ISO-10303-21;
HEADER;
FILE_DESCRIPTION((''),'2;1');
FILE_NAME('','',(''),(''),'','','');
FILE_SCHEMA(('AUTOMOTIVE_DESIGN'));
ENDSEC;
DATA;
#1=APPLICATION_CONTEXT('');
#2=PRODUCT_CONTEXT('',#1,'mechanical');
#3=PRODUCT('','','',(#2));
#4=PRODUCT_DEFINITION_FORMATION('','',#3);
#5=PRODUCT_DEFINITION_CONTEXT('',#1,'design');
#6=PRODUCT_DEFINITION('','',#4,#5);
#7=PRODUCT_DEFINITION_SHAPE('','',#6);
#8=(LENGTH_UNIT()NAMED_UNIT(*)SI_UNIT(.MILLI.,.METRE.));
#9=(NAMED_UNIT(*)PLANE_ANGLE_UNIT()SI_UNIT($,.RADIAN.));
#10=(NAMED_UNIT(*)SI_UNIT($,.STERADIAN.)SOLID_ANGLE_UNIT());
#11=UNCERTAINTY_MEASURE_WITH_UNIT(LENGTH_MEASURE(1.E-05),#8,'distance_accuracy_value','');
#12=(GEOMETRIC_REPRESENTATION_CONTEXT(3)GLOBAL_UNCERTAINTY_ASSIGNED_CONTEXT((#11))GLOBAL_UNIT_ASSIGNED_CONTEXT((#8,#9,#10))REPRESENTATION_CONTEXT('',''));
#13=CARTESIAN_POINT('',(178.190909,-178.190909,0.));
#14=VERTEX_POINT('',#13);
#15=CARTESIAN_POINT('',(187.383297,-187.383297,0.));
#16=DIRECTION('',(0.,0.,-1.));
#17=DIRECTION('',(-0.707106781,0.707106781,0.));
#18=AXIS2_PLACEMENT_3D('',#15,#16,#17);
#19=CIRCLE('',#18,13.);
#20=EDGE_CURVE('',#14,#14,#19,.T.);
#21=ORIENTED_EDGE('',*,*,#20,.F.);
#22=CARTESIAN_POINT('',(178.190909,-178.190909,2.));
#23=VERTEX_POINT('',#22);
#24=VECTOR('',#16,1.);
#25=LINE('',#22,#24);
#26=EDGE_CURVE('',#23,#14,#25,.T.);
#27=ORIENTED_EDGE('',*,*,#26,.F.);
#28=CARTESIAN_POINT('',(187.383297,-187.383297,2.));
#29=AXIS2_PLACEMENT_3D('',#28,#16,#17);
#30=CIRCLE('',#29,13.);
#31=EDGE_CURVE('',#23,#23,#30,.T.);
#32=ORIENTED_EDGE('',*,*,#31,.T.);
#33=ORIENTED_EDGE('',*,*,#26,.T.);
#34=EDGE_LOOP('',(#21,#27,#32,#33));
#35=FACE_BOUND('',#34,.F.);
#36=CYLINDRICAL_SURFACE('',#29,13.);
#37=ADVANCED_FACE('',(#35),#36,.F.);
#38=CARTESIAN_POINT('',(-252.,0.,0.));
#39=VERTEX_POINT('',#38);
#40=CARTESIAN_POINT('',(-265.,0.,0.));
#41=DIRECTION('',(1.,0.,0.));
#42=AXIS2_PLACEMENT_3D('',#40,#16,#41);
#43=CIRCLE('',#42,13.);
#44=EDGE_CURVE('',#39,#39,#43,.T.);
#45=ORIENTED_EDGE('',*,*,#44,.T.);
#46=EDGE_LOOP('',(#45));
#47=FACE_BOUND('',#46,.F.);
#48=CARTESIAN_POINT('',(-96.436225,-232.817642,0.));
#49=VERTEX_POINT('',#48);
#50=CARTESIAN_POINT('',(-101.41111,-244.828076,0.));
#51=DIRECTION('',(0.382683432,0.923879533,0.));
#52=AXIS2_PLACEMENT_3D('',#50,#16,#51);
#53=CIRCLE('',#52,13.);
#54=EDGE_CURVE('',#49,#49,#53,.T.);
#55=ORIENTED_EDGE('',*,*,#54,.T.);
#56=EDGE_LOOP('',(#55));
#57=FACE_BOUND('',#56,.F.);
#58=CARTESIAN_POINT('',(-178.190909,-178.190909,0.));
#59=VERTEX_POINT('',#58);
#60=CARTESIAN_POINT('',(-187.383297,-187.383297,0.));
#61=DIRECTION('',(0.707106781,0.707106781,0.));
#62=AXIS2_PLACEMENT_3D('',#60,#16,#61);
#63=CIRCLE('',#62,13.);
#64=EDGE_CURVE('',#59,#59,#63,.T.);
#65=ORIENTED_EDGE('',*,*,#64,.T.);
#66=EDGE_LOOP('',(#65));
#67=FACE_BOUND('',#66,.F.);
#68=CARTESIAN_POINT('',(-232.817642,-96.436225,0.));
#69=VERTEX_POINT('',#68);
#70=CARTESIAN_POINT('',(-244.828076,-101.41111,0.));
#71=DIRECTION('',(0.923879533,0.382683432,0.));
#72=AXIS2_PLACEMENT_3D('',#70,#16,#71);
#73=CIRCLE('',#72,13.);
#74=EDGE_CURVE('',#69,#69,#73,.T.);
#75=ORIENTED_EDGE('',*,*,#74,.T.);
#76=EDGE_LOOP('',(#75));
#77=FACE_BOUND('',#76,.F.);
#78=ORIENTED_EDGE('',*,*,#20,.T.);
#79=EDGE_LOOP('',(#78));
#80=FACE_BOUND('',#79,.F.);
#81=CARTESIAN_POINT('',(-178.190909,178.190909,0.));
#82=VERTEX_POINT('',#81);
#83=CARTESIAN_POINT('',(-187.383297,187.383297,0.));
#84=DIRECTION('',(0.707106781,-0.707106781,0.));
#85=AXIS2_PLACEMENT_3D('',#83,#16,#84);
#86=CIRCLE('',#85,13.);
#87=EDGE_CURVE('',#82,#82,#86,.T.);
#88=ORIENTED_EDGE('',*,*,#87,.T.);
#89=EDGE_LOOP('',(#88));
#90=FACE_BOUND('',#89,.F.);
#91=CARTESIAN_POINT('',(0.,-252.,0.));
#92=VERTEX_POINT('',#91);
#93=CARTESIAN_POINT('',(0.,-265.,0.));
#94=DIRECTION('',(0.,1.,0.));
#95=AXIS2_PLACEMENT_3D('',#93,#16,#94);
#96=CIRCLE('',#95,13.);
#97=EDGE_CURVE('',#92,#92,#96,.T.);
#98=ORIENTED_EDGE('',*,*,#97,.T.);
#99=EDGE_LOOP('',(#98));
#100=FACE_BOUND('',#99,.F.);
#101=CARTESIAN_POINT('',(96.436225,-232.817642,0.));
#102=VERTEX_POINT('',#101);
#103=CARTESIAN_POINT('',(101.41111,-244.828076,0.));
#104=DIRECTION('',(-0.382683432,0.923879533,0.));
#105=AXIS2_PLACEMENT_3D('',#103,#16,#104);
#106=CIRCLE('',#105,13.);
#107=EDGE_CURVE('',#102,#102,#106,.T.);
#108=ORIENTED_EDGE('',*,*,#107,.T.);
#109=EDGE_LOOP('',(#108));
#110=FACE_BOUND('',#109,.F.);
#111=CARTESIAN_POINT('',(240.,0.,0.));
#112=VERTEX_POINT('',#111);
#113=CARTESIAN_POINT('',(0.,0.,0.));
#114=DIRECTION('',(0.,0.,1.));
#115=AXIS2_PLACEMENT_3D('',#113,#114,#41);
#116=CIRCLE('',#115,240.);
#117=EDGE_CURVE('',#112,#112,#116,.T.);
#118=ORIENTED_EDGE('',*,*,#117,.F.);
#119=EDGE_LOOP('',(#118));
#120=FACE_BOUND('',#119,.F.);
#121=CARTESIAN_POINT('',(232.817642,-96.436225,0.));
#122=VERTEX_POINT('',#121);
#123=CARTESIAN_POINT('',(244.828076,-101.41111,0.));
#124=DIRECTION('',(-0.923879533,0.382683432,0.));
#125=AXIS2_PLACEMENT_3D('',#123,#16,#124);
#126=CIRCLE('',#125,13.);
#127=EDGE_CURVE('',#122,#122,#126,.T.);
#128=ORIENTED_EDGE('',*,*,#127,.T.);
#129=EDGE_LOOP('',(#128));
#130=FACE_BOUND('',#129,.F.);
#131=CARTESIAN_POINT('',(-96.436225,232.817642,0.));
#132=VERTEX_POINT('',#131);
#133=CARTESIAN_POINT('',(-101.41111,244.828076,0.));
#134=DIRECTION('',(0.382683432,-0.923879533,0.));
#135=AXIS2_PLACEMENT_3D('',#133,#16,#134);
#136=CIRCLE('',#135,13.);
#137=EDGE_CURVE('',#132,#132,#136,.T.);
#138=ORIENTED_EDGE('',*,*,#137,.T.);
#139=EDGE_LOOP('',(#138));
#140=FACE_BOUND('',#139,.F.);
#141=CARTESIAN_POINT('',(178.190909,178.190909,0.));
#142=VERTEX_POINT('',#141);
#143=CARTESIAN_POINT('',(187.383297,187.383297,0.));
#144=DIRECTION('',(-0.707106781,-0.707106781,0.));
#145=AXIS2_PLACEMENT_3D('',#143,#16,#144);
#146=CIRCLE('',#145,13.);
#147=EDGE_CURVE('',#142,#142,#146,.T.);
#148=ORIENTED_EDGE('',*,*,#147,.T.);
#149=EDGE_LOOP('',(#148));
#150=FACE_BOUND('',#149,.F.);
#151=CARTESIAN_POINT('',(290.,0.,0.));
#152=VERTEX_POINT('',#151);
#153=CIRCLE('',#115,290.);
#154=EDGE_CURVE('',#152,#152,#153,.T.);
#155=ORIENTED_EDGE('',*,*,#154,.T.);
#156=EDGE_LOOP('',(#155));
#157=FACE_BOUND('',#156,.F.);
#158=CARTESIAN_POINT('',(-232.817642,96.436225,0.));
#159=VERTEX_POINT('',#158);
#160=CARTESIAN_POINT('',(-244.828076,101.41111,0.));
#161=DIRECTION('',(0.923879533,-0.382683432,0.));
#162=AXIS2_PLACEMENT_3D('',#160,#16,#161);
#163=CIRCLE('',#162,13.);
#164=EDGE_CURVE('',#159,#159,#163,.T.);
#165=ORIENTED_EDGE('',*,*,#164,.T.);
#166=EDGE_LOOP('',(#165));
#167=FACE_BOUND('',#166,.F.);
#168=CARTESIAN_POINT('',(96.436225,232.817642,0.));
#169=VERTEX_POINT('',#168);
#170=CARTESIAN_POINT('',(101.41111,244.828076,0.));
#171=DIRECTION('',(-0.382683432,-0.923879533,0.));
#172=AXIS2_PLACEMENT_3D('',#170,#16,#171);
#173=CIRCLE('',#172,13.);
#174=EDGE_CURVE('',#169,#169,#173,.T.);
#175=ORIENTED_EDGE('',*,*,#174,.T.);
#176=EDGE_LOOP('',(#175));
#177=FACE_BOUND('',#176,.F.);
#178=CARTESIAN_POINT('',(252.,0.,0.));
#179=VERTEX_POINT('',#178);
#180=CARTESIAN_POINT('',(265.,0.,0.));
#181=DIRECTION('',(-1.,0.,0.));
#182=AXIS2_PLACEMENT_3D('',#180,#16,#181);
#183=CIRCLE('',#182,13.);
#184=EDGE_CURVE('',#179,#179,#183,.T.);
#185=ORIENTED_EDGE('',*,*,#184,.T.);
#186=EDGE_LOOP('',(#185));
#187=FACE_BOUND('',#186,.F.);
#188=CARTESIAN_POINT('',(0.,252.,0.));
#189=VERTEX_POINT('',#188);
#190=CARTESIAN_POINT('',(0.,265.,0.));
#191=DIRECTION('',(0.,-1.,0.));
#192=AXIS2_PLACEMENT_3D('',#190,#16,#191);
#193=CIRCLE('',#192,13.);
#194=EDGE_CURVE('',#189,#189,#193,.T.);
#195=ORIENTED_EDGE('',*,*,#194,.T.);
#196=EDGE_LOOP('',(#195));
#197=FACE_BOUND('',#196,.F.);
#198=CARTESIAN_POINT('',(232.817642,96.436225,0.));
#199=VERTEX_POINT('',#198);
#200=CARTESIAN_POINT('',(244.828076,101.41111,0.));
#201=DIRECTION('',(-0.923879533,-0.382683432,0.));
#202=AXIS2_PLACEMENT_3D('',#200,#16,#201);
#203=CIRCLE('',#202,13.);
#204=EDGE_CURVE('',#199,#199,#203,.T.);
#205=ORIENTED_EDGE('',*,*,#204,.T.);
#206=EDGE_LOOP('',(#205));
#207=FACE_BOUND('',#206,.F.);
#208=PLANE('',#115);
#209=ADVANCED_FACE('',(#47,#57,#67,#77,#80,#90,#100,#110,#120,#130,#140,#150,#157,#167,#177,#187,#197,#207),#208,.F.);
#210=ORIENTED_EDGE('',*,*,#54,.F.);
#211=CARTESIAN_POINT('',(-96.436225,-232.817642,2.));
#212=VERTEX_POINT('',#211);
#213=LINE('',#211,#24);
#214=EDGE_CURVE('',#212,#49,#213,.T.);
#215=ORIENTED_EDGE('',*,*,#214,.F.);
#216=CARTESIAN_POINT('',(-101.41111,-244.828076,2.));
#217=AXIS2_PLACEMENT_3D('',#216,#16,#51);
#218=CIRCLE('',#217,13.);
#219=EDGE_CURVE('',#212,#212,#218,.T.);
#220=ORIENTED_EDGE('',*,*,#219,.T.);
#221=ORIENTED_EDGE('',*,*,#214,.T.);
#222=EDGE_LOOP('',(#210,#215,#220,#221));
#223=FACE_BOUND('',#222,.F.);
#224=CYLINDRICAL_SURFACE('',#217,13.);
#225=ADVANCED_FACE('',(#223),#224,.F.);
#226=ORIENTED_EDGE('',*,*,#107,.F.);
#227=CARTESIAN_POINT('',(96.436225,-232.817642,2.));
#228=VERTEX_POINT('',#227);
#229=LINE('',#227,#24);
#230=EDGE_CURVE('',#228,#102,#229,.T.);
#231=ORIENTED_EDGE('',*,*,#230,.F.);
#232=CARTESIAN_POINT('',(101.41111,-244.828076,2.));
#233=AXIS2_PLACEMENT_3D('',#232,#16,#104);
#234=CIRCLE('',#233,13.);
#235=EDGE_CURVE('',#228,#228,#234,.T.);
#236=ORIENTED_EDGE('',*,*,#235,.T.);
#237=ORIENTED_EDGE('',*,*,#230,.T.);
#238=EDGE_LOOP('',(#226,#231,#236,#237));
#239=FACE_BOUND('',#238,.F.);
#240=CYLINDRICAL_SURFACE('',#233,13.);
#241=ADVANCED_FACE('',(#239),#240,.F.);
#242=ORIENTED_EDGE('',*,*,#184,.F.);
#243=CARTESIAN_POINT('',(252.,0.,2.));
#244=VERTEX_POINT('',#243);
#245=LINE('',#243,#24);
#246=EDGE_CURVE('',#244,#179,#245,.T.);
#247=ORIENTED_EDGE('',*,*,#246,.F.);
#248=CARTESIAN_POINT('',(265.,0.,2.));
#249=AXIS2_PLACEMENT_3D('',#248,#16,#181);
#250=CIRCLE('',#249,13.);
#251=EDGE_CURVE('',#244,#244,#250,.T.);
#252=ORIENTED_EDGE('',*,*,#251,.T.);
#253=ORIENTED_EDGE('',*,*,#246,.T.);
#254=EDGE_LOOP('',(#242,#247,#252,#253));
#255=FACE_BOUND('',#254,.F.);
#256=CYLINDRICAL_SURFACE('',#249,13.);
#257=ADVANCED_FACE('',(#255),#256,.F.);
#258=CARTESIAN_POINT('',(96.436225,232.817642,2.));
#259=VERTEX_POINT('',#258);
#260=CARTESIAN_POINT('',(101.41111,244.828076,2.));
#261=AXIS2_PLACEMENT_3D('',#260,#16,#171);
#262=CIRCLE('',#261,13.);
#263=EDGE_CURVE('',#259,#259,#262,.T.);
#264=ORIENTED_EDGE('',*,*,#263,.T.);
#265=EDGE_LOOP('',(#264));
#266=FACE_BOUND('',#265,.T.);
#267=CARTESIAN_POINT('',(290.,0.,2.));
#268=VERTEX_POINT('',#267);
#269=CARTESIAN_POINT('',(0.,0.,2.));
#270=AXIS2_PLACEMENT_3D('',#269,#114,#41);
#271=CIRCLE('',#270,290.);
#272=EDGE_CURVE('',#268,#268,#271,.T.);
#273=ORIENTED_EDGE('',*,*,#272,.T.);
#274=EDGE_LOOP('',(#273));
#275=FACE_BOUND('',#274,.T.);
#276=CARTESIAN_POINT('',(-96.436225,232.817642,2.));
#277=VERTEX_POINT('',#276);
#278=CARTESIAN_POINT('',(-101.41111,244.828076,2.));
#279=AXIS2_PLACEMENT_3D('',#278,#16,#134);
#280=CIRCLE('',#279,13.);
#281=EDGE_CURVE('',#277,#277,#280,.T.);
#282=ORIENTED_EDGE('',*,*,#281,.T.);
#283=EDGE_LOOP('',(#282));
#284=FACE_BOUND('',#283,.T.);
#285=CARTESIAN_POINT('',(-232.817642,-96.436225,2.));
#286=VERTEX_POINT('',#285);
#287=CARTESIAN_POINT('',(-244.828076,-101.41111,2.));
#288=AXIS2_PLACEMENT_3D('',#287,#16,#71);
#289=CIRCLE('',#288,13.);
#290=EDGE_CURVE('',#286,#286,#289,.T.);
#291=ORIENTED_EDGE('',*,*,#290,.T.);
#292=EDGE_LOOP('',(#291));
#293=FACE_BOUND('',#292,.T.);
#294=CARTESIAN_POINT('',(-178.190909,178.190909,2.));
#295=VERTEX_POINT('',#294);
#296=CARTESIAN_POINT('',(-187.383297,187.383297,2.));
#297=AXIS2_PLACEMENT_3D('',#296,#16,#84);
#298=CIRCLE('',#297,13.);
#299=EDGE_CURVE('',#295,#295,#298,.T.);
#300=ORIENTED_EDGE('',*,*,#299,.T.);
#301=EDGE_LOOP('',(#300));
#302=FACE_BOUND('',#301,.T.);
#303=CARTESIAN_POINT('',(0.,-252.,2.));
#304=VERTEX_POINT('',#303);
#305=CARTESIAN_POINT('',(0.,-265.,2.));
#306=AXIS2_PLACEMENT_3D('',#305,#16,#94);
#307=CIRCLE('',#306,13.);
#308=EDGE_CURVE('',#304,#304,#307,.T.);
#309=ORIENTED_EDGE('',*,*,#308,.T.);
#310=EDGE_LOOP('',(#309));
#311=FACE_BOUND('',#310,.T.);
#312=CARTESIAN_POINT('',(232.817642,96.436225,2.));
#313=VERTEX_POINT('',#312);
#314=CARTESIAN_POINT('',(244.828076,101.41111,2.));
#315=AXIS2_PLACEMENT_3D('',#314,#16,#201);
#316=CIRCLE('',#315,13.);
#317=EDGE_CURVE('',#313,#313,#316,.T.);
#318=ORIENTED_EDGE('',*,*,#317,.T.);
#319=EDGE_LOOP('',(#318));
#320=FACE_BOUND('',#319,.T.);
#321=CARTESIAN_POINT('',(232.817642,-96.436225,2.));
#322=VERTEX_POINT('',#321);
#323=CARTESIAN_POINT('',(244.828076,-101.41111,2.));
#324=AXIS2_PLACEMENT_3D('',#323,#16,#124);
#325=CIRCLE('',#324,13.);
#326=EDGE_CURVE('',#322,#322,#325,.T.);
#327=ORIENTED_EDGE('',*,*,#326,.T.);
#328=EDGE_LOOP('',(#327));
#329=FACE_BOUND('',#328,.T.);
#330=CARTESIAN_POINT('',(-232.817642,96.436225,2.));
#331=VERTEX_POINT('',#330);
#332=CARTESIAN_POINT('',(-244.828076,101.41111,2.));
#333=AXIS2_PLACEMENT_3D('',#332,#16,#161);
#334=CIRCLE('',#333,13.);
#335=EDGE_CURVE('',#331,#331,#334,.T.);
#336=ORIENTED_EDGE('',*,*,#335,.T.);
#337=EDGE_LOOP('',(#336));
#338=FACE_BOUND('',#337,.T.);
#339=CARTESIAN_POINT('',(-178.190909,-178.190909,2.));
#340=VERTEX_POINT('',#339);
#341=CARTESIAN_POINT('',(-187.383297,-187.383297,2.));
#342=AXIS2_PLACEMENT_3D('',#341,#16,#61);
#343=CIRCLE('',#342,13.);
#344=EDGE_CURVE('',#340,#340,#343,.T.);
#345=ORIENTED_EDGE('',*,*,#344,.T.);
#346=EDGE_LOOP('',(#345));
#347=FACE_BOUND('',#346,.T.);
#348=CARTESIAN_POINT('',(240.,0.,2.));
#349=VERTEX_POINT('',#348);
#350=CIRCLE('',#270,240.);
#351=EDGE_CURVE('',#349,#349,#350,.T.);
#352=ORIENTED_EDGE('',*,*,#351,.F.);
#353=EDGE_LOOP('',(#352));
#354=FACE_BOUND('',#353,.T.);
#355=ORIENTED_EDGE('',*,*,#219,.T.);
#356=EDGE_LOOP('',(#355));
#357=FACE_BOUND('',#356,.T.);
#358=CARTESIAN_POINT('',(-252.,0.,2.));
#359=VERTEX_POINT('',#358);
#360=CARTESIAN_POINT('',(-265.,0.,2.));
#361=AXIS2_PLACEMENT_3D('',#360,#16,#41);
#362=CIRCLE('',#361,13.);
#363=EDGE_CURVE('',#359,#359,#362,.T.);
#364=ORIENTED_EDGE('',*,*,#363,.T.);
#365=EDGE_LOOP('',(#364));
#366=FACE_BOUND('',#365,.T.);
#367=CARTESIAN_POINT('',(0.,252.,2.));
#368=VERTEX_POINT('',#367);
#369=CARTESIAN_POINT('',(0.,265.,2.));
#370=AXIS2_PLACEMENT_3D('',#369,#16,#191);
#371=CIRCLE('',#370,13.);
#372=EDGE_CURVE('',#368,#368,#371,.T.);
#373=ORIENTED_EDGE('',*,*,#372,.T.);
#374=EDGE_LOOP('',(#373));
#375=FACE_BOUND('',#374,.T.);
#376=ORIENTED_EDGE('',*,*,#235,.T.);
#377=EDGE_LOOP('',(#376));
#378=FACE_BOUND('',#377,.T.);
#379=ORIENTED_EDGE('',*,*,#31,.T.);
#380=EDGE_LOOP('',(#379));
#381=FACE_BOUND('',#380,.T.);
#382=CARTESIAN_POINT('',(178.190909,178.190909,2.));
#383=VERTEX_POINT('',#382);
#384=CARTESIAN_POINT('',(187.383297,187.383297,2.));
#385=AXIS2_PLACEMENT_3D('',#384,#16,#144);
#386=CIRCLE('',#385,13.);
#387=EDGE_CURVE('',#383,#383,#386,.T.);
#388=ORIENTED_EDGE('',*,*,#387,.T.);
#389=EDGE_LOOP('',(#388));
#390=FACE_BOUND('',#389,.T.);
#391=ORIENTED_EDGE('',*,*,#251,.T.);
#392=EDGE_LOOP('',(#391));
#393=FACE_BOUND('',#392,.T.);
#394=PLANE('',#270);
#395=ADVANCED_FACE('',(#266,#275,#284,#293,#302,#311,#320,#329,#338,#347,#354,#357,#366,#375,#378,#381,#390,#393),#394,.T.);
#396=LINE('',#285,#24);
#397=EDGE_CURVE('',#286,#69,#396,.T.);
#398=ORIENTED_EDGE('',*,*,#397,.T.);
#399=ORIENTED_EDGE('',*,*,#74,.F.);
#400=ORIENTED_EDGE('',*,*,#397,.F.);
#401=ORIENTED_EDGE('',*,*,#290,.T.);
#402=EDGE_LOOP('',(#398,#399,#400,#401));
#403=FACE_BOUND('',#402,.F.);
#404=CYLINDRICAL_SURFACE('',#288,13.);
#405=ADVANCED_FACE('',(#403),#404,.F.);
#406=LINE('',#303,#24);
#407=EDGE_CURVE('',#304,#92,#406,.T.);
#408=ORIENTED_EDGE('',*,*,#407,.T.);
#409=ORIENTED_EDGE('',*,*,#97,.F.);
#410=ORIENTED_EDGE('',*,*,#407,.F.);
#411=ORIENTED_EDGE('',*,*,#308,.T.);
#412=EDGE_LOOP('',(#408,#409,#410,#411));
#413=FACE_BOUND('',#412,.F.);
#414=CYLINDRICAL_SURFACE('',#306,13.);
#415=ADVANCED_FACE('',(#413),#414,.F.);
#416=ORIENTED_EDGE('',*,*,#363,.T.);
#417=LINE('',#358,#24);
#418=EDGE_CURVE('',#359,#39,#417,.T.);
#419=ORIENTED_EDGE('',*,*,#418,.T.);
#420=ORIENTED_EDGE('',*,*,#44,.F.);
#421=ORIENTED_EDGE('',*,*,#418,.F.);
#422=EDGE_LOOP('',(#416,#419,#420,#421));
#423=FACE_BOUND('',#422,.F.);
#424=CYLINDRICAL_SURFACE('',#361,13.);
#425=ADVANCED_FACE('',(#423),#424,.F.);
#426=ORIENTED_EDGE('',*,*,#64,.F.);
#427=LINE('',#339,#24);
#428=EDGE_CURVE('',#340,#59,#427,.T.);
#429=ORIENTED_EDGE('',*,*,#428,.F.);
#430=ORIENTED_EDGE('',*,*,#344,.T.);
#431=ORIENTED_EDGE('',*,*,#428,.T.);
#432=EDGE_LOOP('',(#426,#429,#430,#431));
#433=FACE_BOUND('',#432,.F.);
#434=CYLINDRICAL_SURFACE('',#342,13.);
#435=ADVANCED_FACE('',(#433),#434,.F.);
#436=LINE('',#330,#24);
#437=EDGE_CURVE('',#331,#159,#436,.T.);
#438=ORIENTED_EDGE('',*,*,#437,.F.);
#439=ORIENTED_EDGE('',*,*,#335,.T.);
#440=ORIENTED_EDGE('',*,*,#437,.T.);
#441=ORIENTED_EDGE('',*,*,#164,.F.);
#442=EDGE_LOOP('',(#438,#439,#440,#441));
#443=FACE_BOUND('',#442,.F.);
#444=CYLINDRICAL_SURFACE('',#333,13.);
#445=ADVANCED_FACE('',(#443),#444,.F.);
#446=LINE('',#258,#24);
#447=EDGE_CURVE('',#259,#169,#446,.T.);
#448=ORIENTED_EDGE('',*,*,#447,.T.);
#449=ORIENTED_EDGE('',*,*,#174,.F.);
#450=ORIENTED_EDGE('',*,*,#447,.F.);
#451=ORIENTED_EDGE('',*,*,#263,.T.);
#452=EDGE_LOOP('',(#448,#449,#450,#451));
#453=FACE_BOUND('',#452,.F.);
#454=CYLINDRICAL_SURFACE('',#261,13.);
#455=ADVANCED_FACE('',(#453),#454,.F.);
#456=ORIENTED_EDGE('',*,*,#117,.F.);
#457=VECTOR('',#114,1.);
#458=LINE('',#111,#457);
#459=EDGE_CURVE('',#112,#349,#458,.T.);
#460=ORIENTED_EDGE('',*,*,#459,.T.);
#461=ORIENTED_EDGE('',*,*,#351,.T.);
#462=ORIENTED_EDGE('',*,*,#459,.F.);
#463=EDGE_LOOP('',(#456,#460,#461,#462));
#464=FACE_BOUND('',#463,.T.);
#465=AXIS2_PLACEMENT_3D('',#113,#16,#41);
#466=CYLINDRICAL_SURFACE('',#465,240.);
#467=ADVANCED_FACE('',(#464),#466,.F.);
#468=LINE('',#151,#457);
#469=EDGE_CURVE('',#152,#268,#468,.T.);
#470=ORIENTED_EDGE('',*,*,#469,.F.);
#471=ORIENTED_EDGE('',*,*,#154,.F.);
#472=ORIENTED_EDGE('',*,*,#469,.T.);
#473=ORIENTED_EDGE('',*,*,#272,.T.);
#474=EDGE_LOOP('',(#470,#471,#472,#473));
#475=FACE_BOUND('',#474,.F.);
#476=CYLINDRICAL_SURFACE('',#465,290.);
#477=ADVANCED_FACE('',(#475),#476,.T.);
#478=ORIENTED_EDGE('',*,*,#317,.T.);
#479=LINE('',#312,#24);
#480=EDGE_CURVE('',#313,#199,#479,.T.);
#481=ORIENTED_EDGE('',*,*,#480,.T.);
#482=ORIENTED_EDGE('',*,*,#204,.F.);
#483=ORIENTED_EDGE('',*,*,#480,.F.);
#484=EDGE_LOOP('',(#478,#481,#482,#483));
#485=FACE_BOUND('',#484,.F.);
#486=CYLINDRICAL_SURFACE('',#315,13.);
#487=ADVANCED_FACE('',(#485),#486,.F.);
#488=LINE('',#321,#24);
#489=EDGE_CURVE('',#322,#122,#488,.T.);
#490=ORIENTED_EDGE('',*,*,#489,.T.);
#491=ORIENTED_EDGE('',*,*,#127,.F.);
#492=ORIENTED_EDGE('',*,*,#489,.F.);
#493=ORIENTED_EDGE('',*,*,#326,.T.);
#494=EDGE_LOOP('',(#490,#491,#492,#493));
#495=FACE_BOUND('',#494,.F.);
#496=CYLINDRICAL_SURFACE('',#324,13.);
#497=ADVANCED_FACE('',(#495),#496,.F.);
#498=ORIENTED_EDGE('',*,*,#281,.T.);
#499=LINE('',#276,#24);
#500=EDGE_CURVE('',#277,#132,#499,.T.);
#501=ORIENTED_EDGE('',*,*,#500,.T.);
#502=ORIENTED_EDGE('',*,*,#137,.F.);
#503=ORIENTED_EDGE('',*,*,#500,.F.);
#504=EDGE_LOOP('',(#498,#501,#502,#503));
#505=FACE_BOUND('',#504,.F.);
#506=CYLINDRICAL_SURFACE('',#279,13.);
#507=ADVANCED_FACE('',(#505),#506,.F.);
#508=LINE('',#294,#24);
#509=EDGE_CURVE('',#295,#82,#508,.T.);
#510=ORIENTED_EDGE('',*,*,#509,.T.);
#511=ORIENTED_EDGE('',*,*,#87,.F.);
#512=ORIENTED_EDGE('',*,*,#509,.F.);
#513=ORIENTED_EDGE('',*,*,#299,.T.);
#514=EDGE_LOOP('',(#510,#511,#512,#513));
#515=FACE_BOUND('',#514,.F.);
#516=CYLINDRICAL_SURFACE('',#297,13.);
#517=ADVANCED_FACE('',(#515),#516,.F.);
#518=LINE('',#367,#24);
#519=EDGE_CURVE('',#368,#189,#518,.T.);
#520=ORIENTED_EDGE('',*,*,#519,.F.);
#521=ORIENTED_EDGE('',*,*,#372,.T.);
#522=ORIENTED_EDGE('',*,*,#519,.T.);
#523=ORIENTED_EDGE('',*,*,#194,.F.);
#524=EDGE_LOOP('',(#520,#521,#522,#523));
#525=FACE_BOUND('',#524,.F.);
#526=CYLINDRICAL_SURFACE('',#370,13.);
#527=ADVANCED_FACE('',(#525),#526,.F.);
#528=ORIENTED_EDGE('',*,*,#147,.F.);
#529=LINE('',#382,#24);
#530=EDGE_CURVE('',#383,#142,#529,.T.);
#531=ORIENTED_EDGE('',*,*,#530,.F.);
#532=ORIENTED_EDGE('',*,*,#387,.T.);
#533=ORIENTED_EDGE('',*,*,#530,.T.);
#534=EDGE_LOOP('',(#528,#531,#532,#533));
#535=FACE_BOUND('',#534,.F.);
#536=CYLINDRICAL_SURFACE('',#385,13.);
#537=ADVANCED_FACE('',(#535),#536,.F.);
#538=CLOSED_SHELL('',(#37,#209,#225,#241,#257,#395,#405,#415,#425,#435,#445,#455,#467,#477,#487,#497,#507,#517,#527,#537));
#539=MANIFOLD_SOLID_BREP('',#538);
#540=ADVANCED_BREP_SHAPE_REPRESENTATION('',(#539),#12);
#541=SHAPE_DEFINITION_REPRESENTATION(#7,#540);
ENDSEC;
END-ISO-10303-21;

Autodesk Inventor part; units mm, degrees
ref_plane "YZ Plane" through (0, 0, 0) normal (1, 0, 0) x (0, 1, 0)
ref_plane "XZ Plane" through (0, 0, 0) normal (0, 1, 0) x (-1, 0, 0)
ref_plane "XY Plane" through (0, 0, 0) normal (0, 0, 1) x (1, 0, 0)
sketch "Эскиз1" plane through (0, 0, 0) normal (0, 0, 1) x (1, 0, 0)
  circle A0 centre (0, 0) radius 240
  circle A1 centre (0, 0) radius 290
  dimension "d0" = 480
  dimension "d1" = 580
extrude "Выдавливание1" add sketch "Эскиз1" along normal blind 2
sketch "Эскиз2" plane through (0, 0, 2) normal (0, 0, 1) x (1, 0, 0)
  circle A0 centre (0, 0) radius 290 projected
  line L0 (0, 290) -> (0, 265)
  dimension "d4" = 25
hole "Отверстие1" at (0, 265, 2) direction (0, 0, -1) diameter 26 end through all
pattern_circular "Круговой массив1" count 16 over 360 about axis through (0, 0, -10) along (0, 0, 1) of "Отверстие1"
properties part number "Прокладка крышек цилиндра"
